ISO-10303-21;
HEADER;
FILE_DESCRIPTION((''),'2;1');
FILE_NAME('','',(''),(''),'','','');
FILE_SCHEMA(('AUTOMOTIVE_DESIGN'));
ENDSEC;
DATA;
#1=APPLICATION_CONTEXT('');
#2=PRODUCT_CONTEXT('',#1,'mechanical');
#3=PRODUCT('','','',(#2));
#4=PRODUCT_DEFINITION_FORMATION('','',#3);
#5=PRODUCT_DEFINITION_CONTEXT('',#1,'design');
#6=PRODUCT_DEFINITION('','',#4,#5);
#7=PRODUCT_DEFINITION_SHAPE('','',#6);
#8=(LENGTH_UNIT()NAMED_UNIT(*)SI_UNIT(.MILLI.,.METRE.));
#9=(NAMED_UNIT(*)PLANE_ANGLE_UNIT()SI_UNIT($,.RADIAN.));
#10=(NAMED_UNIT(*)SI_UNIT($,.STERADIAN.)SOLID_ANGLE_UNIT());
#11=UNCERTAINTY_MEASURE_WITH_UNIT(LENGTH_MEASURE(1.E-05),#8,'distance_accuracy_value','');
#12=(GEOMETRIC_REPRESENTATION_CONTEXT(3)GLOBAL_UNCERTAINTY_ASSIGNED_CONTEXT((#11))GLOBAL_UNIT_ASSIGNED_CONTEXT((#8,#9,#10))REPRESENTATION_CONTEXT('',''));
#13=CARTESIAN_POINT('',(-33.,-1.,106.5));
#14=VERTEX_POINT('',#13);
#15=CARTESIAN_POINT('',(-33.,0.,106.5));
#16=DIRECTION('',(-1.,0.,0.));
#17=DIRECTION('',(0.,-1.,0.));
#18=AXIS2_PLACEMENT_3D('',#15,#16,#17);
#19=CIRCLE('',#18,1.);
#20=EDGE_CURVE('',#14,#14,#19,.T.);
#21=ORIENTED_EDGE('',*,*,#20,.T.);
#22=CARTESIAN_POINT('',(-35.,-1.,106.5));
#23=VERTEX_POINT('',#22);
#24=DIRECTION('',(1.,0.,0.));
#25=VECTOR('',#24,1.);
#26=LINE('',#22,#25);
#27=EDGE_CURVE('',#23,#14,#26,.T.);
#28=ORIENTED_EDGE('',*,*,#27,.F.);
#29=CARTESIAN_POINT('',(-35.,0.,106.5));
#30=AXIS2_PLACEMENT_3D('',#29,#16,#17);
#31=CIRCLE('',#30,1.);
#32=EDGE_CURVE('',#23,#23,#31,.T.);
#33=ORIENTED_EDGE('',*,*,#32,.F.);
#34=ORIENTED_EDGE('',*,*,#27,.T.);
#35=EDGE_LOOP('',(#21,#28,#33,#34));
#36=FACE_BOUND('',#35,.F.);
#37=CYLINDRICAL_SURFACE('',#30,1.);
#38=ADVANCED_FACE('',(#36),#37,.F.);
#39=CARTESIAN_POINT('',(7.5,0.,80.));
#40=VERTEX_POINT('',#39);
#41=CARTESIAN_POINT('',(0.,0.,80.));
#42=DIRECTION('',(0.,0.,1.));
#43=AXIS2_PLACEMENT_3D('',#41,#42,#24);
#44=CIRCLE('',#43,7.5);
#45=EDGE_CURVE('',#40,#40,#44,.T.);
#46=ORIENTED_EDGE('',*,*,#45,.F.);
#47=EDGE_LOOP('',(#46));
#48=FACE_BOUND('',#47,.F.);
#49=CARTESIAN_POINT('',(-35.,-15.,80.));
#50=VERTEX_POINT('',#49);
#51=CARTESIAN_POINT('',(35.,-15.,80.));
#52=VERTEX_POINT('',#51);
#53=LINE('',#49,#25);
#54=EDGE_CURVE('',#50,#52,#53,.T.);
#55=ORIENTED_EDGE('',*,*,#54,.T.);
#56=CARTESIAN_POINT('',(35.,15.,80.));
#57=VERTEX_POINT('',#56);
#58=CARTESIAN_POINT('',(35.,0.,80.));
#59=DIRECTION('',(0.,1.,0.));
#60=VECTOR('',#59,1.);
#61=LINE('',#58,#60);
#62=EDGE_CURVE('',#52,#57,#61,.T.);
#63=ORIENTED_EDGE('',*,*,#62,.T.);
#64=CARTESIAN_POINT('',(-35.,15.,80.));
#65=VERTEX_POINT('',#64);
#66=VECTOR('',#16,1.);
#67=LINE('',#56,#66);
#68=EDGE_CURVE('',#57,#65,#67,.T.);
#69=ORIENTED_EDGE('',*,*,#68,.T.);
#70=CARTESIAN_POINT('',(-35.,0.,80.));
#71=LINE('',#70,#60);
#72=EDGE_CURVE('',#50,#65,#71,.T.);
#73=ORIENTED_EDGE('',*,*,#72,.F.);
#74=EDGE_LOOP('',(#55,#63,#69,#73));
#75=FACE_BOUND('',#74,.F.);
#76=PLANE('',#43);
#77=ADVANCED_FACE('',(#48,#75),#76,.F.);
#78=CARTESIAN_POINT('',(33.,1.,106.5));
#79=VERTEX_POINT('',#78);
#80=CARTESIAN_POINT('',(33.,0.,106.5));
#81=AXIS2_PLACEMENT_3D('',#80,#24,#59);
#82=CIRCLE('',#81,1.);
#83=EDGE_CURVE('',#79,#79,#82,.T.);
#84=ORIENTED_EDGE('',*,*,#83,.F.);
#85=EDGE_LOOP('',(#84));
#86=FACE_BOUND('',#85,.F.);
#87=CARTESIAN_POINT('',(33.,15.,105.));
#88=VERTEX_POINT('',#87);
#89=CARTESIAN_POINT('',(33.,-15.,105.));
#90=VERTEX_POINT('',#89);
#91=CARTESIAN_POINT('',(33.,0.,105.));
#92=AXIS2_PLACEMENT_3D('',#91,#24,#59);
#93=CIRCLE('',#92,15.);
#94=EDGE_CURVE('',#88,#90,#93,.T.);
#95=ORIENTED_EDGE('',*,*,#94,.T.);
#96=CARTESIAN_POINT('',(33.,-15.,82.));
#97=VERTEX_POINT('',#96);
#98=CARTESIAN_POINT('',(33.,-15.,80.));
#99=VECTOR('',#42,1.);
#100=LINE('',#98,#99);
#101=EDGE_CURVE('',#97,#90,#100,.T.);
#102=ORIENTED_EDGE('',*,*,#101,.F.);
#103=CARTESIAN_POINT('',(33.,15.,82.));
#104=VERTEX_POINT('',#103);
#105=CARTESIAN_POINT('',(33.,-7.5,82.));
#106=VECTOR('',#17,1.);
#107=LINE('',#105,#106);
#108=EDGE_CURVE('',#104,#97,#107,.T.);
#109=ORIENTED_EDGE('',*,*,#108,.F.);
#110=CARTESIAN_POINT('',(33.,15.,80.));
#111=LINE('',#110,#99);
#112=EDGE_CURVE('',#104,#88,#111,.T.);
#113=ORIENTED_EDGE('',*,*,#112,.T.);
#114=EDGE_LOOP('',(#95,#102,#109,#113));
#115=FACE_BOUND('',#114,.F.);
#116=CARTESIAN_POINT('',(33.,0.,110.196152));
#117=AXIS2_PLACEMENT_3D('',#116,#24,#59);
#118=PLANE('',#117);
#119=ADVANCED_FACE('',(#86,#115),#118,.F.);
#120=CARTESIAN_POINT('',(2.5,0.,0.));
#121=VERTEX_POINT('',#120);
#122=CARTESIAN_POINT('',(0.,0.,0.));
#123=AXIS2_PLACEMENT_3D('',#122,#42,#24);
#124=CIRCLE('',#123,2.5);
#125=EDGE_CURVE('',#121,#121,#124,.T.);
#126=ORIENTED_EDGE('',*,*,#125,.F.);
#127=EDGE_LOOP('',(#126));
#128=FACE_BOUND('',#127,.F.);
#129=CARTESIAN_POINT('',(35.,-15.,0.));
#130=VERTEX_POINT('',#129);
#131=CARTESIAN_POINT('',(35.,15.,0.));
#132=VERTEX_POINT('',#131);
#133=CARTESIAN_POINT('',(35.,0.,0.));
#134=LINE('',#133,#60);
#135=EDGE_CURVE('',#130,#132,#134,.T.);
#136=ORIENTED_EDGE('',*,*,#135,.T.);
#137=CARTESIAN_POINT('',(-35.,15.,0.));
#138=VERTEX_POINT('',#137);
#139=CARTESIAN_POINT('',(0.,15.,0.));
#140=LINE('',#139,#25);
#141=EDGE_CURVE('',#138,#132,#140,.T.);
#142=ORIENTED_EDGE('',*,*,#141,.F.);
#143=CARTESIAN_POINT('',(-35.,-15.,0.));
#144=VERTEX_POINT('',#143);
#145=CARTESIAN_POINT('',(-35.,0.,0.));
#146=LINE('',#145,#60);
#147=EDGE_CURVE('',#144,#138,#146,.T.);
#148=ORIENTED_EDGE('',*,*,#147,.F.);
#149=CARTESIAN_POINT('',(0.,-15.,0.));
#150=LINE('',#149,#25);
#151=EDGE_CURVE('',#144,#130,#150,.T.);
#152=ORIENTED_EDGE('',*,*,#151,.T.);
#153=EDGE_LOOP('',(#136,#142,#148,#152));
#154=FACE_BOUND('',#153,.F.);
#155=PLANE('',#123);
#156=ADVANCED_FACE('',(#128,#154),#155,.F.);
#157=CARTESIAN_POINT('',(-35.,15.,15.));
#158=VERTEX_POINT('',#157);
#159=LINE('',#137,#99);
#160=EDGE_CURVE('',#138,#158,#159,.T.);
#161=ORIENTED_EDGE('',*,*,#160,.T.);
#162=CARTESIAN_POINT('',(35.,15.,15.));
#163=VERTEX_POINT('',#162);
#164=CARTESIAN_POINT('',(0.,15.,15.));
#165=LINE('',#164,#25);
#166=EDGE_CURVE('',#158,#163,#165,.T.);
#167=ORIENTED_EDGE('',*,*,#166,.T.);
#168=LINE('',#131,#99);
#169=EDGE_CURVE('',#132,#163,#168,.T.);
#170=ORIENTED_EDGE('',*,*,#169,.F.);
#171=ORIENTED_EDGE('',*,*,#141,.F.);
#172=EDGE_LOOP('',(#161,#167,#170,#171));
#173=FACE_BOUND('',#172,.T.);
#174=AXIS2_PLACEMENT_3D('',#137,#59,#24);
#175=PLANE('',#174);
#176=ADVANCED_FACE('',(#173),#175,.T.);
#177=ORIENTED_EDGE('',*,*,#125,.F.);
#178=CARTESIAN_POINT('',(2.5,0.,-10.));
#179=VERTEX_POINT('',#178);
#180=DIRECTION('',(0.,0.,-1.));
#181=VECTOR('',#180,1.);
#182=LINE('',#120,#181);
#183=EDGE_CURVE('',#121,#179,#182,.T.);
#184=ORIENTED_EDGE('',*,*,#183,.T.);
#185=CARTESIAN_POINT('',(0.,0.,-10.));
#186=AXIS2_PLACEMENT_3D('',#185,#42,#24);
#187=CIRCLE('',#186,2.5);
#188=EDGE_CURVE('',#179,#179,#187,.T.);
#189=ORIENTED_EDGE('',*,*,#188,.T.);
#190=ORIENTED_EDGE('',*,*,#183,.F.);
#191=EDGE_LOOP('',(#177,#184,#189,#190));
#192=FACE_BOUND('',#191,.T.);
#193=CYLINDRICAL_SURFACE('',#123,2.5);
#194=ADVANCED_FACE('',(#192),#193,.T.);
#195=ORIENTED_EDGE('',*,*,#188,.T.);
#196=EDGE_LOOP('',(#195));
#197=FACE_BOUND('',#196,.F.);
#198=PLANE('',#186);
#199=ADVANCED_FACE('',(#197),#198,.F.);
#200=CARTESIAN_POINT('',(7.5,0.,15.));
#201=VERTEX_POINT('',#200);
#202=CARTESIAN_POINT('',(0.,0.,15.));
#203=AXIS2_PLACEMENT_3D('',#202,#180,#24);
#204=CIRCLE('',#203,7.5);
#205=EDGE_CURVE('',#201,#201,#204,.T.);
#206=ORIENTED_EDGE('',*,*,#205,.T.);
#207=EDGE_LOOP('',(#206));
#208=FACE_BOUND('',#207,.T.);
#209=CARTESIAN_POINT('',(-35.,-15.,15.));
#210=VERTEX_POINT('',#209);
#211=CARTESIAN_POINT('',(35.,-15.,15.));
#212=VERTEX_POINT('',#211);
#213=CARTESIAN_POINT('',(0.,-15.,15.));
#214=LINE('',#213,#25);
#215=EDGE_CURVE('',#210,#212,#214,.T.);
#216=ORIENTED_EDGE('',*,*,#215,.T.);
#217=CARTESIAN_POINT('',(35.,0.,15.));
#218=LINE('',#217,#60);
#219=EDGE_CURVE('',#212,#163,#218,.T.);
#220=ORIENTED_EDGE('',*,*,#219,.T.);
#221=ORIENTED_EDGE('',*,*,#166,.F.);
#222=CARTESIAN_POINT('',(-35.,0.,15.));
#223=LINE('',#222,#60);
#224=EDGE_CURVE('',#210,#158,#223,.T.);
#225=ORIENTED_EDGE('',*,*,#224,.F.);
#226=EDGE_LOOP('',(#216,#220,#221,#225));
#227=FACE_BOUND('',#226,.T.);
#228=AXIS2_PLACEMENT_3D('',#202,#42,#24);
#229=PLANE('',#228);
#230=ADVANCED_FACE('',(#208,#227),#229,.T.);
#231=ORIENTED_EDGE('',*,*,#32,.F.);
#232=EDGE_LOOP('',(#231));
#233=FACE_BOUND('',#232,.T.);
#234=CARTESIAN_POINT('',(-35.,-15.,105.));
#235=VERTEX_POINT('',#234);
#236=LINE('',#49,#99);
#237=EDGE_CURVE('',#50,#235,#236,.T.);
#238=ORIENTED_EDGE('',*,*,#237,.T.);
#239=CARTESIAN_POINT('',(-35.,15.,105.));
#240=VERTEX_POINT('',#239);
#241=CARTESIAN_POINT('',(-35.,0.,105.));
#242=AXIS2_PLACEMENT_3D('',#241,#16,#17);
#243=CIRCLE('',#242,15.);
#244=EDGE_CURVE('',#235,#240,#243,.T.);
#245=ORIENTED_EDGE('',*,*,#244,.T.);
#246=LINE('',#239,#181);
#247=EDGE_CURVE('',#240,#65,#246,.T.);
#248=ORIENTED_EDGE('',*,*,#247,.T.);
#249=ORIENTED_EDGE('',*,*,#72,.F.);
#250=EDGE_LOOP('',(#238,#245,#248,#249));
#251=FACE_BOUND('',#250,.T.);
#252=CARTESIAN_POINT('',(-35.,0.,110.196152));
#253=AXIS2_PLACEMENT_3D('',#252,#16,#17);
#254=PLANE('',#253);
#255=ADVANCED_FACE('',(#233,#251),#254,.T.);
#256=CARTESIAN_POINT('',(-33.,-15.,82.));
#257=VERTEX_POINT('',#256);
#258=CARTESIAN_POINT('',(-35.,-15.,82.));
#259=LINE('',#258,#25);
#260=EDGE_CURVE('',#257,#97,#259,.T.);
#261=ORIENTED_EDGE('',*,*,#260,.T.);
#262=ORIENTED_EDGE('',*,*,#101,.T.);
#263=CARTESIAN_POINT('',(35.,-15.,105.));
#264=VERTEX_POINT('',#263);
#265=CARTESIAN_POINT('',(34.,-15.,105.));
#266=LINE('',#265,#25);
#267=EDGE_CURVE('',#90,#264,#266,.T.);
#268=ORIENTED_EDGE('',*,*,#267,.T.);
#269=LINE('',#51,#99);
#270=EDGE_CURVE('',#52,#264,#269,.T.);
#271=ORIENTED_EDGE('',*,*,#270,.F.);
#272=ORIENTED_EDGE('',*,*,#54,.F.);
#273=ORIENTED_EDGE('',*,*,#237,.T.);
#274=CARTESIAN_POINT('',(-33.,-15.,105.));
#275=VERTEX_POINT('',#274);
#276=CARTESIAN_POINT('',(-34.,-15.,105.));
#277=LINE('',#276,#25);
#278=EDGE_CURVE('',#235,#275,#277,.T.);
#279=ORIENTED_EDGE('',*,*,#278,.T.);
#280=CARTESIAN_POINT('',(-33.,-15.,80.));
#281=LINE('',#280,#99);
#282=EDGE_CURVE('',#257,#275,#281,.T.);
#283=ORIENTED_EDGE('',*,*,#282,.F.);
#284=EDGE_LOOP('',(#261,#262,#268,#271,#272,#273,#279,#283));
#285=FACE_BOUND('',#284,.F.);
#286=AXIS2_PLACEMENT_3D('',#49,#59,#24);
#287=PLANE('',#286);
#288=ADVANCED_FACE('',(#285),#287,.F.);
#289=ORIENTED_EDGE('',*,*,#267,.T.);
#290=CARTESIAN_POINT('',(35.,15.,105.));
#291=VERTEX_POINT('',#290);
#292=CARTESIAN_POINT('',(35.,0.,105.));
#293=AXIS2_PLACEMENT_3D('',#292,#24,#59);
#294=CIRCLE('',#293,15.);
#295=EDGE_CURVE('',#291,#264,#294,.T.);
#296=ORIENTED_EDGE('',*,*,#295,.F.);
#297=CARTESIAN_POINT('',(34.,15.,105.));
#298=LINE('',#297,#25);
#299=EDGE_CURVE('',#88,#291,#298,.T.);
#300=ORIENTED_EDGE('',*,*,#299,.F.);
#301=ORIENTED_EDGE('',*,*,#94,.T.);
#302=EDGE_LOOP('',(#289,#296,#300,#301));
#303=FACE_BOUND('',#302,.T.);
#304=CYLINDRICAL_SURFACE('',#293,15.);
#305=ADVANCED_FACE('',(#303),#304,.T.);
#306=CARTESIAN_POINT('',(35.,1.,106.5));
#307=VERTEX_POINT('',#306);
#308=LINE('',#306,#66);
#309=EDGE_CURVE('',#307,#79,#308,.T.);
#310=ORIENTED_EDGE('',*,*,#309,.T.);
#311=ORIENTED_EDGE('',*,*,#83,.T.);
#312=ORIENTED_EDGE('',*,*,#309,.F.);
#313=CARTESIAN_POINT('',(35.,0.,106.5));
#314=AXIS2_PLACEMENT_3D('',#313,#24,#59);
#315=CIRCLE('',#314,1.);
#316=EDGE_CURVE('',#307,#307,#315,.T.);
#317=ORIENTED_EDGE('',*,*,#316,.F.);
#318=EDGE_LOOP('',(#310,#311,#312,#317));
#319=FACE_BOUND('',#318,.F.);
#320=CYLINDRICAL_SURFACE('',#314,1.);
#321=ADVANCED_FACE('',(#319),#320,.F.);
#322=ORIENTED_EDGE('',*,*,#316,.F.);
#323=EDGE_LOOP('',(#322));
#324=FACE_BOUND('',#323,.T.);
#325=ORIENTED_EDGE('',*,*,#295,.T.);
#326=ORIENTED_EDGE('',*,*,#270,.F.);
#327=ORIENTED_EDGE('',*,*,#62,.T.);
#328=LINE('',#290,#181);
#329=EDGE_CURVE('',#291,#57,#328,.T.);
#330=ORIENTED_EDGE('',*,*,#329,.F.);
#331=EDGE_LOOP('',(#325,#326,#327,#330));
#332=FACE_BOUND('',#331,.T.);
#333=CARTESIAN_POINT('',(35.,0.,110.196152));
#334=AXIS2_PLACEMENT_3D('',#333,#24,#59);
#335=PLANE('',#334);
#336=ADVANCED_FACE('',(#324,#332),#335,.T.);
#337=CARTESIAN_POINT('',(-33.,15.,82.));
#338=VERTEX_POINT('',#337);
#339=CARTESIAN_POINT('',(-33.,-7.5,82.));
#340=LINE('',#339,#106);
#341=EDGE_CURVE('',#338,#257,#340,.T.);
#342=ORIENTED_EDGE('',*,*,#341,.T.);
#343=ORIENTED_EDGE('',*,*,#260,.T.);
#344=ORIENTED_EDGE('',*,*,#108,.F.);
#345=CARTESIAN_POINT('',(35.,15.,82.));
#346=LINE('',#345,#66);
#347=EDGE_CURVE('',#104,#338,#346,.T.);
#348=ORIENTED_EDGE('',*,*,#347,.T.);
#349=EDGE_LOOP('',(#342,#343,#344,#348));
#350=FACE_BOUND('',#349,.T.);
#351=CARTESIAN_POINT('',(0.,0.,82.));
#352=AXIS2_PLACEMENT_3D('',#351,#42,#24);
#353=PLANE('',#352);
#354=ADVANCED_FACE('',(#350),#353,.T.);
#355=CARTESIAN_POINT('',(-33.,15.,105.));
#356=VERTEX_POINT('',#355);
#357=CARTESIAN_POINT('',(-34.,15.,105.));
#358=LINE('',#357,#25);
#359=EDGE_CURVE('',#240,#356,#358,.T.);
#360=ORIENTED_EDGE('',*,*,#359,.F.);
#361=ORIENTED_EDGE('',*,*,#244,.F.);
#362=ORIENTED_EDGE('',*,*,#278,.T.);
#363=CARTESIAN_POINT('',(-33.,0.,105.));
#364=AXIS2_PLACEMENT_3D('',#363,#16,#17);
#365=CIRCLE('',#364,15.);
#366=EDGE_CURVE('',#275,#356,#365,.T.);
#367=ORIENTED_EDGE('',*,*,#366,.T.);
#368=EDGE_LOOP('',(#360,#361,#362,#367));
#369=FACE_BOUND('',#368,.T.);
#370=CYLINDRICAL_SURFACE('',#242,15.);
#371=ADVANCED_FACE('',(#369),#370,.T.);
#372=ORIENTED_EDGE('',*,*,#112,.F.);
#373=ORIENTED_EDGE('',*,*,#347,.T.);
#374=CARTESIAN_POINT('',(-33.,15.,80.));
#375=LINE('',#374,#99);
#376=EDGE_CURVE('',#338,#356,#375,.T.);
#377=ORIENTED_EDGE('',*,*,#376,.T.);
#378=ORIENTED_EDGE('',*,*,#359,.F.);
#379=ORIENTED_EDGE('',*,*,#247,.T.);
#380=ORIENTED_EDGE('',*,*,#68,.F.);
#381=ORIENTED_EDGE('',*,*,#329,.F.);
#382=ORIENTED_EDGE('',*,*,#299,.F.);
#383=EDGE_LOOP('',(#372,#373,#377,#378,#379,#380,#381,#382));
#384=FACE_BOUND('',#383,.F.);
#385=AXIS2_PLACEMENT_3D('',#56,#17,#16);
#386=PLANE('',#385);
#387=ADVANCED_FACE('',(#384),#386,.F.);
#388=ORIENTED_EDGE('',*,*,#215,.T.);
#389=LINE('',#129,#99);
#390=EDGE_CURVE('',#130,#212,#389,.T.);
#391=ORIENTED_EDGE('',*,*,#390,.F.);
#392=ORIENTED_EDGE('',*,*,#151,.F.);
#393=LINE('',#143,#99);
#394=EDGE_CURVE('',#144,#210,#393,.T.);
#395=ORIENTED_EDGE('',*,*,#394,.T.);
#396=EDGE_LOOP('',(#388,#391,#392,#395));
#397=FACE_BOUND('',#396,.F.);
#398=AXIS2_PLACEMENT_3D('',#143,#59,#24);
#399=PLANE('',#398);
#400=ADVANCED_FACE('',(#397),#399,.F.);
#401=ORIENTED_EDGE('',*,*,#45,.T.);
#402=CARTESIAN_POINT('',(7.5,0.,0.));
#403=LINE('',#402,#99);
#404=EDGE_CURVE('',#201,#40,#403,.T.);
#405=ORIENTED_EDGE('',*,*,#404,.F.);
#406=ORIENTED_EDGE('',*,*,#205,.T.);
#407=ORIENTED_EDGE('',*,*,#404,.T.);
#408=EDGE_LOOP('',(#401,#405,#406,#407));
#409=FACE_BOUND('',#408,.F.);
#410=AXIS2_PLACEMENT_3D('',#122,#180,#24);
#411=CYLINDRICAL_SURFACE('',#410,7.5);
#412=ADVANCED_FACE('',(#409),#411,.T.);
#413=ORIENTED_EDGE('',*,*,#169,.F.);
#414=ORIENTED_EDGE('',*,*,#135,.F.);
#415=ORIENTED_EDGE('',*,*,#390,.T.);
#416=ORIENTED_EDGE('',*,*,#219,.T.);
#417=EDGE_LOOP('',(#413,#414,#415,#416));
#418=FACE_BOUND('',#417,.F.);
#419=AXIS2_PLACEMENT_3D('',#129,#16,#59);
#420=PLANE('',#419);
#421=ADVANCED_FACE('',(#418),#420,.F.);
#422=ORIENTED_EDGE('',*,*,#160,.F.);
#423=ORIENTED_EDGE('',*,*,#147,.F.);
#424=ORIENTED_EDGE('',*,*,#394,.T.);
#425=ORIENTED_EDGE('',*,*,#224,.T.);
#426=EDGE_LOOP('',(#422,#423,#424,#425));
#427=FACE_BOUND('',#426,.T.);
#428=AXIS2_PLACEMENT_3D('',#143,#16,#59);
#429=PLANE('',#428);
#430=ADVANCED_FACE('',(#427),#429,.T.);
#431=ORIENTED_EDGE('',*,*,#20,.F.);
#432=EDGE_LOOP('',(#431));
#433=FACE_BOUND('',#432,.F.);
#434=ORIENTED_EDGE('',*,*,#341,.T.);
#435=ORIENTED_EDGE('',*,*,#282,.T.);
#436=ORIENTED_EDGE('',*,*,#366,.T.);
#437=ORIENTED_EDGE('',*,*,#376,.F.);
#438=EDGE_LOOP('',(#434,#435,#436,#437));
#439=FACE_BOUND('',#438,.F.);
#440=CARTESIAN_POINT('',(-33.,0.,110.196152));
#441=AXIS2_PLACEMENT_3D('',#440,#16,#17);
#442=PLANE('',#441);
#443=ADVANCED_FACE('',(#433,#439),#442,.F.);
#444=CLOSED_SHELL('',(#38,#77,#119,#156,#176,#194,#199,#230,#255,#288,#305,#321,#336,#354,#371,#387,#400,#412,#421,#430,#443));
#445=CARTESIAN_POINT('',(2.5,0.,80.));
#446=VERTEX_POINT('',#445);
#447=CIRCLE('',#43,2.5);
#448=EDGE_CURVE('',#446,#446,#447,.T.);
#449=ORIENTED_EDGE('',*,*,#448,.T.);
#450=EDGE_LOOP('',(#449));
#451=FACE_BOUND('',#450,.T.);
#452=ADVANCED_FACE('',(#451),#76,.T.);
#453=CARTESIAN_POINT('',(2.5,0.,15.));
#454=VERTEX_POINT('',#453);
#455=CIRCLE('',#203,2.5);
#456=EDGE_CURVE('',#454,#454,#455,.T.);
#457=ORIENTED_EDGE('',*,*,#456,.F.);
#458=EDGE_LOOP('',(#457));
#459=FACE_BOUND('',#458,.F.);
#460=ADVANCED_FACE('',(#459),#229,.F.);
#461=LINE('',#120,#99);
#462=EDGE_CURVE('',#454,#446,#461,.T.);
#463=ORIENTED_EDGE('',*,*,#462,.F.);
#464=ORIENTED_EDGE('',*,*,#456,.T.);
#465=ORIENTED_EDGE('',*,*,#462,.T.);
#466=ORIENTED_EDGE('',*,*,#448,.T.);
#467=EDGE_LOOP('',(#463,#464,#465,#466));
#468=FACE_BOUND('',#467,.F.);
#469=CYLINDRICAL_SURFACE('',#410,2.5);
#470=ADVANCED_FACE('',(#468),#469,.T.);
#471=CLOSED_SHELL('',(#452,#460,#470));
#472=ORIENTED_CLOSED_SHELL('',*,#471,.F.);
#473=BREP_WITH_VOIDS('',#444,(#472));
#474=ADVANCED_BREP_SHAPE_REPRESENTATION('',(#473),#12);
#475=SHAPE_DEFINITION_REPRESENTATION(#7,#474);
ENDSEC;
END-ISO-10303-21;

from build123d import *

# Parameters (mm, degrees)
F0_W      = 70
F0_H      = 30
F0_R      = 7.5
F0_R_2    = 2.5
F1_DEPTH  = 15
F2_DEPTH  = 10
F3_DEPTH  = 80
F4_W      = 66
F4_H      = 30
F4_R      = 7.5
F4_R_2    = 2.5
F4_W_2    = 2
F5_DEPTH  = 2
F6_DEPTH  = 25
F7_R      = 1
F8_DEPTH  = 2
F9_R      = 1
F10_DEPTH = 2


with BuildPart() as f1:
    # F0 (on Top) → F1 (new body)
    with BuildSketch(Plane.XY):
        Rectangle(F0_W, F0_H)
        Circle(F0_R, mode=Mode.SUBTRACT)
        Circle(F0_R)
        Circle(F0_R_2, mode=Mode.SUBTRACT)
        Circle(F0_R_2)
    extrude(amount=F1_DEPTH)

    # F0 (on Top) → F2 (join)
    with BuildSketch(Plane.XY):
        Circle(F0_R_2)
    extrude(amount=-F2_DEPTH)

    # F0 (on Top) → F3 (join)
    with BuildSketch(Plane.XY):
        Circle(F0_R)
        Circle(F0_R_2, mode=Mode.SUBTRACT)
    extrude(amount=F3_DEPTH)

    # F4 (on face) → F5 (join)
    with BuildSketch(Plane.XY.offset(80)):
        Rectangle(F4_W, F4_H)
        Circle(F4_R, mode=Mode.SUBTRACT)
        Circle(F4_R)
        Circle(F4_R_2, mode=Mode.SUBTRACT)
        Circle(F4_R_2)
        with Locations((-34, 0)):
            Rectangle(F4_W_2, F4_H)
        with Locations((34, 0)):
            Rectangle(F4_W_2, F4_H)
    extrude(amount=F5_DEPTH)

    # F4 (on face) → F6 (join)
    with BuildSketch(Plane.XY.offset(80)):
        with Locations((-34, 0)):
            Rectangle(F4_W_2, F4_H)
        with Locations((34, 0)):
            Rectangle(F4_W_2, F4_H)
    extrude(amount=F6_DEPTH)

    # F7 (on face) → F8 (join)
    with BuildSketch(Plane(origin=(-35, 0, 0), x_dir=(0, -1, 0), z_dir=(-1, 0, 0))):
        with BuildLine():
            Line((-15, 105), (15, 105))
            ThreePointArc((15, 105), (0, 120), (-15, 105))
        make_face()
        with Locations((0, 106.5)):
            Circle(F7_R, mode=Mode.SUBTRACT)
    extrude(amount=-F8_DEPTH)

    # F9 (on face) → F10 (join)
    with BuildSketch(Plane.YZ.offset(35)):
        with BuildLine():
            Line((-15, 105), (15, 105))
            ThreePointArc((15, 105), (0, 120), (-15, 105))
        make_face()
        with Locations((0, 106.5)):
            Circle(F9_R, mode=Mode.SUBTRACT)
    extrude(amount=-F10_DEPTH)


solid = f1.part
